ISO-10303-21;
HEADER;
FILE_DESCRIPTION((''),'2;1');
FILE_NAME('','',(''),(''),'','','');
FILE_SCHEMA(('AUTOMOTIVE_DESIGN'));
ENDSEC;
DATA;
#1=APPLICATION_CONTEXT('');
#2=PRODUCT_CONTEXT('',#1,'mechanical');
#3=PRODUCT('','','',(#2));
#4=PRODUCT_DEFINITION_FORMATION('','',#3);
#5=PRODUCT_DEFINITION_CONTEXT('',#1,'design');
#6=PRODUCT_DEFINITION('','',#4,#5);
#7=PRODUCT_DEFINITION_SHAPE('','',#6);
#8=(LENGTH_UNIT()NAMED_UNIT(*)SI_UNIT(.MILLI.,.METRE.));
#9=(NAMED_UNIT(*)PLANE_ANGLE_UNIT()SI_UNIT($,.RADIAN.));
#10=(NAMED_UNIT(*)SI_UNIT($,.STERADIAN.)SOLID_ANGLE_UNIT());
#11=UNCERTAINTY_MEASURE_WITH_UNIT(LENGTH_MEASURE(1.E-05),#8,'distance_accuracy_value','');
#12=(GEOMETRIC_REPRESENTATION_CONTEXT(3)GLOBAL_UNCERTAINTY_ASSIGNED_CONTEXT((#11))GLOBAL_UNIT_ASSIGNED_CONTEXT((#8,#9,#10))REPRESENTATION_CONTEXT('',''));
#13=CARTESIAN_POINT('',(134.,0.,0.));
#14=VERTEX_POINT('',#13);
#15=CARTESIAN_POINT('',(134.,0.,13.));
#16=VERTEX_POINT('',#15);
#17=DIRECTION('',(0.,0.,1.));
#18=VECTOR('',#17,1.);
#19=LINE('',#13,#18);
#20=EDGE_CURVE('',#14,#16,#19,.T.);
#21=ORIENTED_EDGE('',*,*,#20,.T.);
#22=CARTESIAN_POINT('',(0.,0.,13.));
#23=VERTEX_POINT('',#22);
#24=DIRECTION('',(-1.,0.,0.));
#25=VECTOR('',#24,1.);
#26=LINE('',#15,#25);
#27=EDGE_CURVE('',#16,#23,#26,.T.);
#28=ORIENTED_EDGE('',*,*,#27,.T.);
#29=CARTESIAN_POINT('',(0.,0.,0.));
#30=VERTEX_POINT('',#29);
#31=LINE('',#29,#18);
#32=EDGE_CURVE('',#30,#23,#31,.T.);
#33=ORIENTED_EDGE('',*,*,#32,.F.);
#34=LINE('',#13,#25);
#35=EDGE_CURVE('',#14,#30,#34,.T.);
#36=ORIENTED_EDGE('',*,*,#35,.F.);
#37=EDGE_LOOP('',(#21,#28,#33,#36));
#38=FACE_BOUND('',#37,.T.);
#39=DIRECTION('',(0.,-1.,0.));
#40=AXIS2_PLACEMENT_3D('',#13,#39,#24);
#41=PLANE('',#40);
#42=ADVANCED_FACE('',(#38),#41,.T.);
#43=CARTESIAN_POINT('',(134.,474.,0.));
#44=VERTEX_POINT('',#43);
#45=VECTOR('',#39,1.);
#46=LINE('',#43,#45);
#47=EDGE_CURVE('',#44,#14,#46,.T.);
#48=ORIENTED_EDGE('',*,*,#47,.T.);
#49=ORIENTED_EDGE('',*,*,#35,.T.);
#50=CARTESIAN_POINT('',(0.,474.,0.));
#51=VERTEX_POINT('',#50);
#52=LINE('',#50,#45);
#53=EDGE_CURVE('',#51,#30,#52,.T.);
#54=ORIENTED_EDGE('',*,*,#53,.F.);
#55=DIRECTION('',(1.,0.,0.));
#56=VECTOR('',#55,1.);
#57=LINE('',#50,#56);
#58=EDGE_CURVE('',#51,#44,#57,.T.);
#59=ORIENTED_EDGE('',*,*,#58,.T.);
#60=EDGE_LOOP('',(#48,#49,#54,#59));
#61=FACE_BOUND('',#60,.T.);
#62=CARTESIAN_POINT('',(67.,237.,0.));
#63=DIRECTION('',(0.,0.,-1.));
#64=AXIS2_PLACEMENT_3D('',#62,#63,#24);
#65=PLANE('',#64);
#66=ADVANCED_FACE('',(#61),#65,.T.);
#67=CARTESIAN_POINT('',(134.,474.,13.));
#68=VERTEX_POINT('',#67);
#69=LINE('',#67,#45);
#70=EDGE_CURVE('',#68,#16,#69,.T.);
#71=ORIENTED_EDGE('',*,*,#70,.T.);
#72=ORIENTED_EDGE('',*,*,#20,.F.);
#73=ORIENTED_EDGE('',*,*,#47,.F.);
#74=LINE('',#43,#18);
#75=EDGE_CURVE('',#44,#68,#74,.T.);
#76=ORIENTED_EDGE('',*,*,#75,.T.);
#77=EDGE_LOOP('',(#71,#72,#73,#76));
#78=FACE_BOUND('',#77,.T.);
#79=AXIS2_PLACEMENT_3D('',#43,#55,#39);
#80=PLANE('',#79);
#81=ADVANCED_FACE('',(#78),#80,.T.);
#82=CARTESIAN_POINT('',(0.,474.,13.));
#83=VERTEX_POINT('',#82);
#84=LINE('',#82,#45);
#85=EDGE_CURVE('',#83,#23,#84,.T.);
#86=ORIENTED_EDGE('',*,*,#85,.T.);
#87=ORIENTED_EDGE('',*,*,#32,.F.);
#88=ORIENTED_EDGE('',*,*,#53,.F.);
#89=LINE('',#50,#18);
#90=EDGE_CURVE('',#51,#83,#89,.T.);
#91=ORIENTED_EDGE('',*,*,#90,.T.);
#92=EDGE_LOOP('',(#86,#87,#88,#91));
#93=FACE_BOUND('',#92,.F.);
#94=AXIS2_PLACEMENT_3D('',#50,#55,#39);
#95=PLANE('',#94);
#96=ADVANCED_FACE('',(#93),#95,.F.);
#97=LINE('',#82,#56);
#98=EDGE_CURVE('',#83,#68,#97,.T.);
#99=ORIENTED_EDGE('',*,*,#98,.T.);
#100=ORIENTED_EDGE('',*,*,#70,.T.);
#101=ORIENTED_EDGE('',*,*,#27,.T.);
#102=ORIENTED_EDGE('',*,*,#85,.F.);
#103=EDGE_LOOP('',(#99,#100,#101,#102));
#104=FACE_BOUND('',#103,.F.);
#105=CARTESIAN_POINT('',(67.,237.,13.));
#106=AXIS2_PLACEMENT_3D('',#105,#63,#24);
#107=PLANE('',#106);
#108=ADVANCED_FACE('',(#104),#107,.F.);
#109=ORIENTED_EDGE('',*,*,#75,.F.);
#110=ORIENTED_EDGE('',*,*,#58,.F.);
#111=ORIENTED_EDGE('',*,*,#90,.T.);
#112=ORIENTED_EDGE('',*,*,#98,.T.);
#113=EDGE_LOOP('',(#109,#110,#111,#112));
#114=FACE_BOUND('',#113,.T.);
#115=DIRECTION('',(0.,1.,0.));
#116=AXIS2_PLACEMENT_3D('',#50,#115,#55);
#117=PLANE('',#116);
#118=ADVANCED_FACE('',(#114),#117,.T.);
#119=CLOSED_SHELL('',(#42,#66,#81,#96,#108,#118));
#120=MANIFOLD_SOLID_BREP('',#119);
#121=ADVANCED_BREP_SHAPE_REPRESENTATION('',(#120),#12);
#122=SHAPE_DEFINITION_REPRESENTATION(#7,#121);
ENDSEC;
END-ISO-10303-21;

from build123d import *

# Parameters (mm, degrees)
PAD_DEPTH = 13


with BuildPart() as part:
    # Sketch → Pad (new body)
    with BuildSketch(Plane.XY):
        Polygon((0, 474), (134, 474), (134, 0), (0, 0), (0, 237), align=None)
    extrude(amount=PAD_DEPTH)


solid = part.part
